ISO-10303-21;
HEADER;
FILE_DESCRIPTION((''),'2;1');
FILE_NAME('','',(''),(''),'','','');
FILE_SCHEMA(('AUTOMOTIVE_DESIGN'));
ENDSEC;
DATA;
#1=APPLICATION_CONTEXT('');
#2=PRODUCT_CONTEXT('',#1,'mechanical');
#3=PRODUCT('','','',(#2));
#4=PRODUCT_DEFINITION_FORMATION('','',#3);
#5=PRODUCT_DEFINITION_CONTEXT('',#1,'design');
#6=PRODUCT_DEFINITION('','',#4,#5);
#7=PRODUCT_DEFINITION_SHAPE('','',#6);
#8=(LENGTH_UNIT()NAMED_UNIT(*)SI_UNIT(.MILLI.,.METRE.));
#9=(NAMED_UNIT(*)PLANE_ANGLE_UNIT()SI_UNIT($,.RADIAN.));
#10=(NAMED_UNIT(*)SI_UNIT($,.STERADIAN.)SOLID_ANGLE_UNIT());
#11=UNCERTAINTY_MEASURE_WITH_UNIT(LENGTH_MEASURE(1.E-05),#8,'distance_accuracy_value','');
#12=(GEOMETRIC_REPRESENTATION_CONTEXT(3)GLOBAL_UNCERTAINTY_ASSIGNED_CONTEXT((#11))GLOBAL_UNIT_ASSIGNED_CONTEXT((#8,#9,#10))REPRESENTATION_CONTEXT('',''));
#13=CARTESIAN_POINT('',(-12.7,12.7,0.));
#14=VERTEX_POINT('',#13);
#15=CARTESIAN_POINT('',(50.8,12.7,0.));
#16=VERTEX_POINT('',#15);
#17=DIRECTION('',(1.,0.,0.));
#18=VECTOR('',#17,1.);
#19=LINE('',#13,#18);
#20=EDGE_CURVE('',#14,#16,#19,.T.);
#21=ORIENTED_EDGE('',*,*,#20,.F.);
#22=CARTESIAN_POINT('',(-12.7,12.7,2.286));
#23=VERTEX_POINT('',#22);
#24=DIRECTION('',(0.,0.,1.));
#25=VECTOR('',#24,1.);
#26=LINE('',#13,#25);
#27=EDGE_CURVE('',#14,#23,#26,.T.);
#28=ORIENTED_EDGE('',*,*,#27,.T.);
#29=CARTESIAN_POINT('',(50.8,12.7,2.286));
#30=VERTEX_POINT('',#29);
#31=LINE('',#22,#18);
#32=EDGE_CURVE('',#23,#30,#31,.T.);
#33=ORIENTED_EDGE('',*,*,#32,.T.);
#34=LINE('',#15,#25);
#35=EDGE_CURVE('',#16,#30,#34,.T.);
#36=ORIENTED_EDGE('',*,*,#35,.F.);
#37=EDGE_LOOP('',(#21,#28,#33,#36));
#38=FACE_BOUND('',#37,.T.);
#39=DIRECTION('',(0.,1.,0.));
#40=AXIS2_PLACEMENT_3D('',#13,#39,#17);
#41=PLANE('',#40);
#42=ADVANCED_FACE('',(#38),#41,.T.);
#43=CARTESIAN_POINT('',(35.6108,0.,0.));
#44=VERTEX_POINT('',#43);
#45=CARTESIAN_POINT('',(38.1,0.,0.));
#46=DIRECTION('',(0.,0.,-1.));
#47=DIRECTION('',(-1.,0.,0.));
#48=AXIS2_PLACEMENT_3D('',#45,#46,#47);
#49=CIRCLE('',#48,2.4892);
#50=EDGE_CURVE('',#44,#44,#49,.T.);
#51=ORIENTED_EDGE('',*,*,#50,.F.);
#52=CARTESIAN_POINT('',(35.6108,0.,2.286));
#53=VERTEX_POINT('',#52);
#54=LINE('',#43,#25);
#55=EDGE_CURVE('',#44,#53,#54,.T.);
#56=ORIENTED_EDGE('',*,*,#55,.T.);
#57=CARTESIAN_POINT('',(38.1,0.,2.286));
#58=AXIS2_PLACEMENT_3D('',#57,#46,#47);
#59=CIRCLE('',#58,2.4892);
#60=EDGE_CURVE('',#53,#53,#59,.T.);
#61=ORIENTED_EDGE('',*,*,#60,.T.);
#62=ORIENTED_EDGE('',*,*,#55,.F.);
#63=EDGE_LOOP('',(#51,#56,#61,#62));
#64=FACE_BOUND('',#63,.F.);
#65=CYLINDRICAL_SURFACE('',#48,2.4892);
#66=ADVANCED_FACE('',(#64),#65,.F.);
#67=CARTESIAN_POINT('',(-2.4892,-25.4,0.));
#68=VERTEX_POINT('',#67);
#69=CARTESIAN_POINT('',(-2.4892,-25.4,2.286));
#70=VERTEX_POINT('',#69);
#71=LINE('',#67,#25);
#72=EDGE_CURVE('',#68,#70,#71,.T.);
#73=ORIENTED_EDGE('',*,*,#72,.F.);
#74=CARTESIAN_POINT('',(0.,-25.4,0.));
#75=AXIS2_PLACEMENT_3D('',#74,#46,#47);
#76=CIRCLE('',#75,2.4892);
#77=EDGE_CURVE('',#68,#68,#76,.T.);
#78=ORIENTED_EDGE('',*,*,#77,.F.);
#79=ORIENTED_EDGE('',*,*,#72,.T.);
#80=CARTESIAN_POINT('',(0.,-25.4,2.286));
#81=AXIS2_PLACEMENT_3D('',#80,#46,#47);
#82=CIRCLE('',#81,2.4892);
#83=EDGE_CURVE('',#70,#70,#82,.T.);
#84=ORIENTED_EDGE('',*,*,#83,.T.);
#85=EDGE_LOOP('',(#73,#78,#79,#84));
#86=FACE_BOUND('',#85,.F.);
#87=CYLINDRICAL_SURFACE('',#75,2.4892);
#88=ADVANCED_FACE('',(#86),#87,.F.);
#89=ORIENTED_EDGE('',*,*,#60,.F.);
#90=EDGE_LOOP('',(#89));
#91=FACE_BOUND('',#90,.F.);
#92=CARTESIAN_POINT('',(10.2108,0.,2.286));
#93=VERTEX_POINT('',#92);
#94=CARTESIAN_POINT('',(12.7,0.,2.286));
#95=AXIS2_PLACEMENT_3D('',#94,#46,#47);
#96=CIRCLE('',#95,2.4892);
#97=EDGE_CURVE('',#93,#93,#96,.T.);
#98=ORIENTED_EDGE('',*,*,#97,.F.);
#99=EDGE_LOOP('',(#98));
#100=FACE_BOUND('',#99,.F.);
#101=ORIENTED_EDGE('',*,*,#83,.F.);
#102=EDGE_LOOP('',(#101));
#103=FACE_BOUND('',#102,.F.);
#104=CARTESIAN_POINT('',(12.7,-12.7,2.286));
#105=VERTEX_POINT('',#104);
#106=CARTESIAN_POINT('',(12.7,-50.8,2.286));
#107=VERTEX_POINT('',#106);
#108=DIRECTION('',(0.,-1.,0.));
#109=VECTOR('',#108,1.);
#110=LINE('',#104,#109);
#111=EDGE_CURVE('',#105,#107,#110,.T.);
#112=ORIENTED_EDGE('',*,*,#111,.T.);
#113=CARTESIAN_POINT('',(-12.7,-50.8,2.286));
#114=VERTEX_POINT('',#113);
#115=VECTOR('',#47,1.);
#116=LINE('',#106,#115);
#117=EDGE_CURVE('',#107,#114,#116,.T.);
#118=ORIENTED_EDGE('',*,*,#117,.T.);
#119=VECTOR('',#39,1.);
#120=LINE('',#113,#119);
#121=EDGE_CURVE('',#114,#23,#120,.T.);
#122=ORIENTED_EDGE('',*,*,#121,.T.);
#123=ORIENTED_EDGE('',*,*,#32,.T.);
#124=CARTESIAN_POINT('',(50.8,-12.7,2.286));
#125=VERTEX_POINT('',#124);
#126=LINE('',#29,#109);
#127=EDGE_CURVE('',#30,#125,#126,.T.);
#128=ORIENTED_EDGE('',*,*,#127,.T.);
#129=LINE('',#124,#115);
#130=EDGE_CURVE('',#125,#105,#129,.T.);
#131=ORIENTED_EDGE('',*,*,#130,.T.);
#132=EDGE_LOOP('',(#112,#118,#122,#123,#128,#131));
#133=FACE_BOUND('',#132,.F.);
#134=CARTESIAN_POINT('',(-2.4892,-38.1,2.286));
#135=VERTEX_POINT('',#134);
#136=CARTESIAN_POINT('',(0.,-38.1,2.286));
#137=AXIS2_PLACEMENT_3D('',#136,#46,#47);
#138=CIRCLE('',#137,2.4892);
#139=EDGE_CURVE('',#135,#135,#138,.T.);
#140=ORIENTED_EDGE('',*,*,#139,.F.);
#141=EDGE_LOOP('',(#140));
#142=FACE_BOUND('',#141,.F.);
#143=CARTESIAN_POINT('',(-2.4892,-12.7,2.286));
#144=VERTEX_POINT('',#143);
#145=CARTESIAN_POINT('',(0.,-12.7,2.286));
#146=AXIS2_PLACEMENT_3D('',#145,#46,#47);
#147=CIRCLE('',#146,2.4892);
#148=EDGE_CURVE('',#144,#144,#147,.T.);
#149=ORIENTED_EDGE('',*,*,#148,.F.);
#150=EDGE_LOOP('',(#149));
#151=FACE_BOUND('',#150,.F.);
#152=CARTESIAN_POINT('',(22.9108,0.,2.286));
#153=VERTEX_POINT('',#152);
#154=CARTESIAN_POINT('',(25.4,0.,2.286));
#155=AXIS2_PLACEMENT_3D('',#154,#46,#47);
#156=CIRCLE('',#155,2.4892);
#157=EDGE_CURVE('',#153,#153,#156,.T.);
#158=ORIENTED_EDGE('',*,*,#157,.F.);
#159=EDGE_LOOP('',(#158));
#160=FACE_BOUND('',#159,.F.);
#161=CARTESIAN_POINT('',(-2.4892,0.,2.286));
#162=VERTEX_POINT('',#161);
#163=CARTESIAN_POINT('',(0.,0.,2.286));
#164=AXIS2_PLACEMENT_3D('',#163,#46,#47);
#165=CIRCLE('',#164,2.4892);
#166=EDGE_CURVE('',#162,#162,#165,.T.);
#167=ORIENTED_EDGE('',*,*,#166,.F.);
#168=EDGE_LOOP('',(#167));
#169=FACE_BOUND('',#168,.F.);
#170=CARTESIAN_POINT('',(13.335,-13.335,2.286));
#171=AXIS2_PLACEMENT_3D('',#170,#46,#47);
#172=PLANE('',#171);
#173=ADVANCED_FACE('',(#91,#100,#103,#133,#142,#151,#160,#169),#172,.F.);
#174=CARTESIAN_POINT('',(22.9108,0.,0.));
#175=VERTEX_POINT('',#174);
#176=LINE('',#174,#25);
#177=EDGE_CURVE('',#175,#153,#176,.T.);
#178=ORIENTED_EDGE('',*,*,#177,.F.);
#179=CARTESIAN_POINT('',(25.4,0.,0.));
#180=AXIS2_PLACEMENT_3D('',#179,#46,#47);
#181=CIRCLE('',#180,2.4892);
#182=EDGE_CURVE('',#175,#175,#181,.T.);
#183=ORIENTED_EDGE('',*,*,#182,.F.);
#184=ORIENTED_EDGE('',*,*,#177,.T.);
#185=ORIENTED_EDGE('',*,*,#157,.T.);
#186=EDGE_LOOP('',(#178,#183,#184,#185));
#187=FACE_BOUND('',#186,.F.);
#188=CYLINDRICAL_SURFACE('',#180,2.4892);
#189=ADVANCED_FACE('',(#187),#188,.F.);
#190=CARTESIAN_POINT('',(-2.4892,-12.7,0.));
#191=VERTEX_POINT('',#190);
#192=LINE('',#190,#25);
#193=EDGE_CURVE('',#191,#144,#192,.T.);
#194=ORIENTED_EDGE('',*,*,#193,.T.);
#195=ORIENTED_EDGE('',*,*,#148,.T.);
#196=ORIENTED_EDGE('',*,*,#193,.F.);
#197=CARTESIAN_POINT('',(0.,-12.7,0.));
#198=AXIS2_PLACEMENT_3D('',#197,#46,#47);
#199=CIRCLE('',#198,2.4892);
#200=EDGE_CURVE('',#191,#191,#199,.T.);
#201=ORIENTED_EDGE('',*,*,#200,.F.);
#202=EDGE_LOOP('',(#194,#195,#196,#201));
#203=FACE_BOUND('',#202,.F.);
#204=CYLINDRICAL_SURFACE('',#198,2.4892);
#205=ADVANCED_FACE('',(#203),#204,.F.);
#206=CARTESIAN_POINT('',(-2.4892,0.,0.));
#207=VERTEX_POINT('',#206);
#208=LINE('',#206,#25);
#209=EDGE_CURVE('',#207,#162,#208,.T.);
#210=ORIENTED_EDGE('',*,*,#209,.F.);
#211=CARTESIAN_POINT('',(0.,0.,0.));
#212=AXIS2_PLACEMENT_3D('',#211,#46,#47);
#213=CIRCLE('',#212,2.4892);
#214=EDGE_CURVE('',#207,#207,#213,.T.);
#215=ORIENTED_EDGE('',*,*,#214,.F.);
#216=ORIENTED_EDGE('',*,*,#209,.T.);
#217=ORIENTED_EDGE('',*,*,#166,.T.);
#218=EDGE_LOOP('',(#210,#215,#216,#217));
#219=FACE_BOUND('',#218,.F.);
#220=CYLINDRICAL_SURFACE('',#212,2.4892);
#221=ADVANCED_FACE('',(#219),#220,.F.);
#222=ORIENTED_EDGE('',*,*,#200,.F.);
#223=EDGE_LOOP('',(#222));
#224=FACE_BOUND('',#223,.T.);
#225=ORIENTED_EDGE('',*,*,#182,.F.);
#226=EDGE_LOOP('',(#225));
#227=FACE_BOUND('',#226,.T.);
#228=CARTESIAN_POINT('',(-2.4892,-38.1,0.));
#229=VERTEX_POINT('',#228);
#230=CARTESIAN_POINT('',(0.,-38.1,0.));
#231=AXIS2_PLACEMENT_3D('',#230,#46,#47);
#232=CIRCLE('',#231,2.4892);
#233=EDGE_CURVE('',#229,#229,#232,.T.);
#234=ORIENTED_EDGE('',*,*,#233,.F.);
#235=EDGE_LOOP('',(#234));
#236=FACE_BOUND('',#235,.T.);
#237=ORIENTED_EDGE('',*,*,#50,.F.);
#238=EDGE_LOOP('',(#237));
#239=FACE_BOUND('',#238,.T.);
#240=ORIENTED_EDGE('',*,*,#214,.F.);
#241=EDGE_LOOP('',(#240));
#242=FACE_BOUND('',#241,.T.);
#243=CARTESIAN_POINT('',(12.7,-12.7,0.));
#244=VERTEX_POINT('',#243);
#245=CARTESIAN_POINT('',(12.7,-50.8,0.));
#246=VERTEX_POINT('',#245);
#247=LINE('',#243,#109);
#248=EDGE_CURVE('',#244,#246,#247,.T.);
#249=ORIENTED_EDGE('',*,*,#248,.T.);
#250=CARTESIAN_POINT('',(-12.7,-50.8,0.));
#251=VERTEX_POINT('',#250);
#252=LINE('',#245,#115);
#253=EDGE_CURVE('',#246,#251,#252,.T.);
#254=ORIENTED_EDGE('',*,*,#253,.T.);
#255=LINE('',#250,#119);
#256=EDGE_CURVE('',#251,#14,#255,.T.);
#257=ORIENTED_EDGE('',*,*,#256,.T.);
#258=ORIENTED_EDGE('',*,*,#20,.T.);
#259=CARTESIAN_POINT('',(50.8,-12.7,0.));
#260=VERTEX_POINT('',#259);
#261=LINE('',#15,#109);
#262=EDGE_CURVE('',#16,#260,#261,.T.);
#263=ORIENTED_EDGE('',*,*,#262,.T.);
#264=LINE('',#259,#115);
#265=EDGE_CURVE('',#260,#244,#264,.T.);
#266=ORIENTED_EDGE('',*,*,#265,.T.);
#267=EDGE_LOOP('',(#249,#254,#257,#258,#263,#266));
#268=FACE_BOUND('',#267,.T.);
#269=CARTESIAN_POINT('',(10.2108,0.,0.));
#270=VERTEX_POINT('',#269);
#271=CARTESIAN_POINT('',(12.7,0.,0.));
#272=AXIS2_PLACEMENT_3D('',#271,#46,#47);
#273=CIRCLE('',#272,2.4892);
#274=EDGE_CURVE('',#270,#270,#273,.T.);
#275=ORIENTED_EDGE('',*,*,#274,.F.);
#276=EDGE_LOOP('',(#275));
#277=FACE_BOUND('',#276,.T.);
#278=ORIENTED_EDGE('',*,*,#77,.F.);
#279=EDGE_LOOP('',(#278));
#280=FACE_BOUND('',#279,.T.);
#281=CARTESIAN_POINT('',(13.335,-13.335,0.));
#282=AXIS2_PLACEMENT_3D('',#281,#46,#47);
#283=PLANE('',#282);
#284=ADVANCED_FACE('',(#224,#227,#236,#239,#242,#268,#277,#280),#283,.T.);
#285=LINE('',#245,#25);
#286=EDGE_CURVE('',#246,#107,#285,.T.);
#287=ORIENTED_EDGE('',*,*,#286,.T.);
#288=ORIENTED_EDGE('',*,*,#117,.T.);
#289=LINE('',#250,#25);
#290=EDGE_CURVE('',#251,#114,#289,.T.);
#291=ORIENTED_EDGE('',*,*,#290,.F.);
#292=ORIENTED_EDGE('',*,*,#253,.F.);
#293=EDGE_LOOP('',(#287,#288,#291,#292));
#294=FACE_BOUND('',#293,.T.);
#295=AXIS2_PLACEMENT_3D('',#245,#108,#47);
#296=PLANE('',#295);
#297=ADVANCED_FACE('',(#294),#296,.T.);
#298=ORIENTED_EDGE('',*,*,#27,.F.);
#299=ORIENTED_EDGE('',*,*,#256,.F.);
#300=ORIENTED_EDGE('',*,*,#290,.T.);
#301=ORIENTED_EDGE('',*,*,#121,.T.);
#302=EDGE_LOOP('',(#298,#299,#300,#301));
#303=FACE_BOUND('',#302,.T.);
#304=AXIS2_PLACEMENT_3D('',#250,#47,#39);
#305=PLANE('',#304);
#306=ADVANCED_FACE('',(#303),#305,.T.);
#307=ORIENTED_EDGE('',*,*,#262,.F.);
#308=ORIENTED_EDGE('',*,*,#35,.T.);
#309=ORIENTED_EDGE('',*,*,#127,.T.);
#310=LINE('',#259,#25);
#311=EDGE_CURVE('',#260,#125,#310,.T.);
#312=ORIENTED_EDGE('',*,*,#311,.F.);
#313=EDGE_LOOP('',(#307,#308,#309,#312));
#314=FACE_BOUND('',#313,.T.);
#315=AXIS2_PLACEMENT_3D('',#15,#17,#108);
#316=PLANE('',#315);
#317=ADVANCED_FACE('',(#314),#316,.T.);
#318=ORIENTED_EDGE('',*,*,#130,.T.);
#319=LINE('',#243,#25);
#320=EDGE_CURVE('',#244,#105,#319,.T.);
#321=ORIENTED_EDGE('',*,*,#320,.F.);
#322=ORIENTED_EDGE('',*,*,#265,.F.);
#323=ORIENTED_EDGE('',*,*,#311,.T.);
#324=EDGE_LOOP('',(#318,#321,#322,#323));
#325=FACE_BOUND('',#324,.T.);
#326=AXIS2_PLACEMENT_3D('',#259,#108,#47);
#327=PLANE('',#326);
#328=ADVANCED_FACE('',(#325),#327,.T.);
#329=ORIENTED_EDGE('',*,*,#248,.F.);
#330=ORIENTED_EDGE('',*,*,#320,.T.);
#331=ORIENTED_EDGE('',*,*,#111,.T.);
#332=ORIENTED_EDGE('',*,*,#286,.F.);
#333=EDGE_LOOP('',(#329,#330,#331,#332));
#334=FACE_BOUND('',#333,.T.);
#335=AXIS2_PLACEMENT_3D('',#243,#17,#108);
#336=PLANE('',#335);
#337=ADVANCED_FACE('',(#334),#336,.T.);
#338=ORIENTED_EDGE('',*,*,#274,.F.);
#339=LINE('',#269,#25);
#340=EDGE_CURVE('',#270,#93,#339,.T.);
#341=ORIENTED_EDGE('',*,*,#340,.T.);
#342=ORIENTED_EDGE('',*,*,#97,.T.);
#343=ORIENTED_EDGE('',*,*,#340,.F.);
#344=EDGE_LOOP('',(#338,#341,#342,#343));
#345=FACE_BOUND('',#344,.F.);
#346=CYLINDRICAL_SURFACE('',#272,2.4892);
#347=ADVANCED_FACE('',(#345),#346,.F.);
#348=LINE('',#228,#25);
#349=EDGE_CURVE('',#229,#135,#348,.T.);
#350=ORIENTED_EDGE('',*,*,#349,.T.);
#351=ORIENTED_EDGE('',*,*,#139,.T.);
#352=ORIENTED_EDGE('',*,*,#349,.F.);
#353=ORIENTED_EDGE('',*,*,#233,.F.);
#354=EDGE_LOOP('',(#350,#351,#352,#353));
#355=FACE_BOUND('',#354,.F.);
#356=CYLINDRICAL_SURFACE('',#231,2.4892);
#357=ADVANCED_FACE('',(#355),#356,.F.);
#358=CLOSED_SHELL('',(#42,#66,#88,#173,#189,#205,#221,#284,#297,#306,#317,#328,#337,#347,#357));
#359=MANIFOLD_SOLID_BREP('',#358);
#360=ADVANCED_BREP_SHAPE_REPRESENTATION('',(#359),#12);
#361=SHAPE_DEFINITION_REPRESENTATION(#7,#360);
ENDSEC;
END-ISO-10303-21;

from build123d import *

# Parameters (mm, degrees)
SKETCH1_R           = 2.4892
BOSS_EXTRUDE1_DEPTH = 2.286


with BuildPart() as part:
    # Sketch1 → Boss-Extrude1 (new body)
    with BuildSketch(Plane(origin=(0, 0, 0), x_dir=(-1, 0, 0), z_dir=(0, 0, -1))):
        Polygon((12.7, 12.7), (-50.8, 12.7), (-50.8, -12.7), (-12.7, -12.7), (-12.7, -50.8), (12.7, -50.8), align=None)
        with Locations((0, -25.4)):
            Circle(SKETCH1_R, mode=Mode.SUBTRACT)
        with Locations((-38.1, 0)):
            Circle(SKETCH1_R, mode=Mode.SUBTRACT)
        with Locations((-12.7, 0)):
            Circle(SKETCH1_R, mode=Mode.SUBTRACT)
        Circle(SKETCH1_R, mode=Mode.SUBTRACT)
        with Locations((-25.4, 0)):
            Circle(SKETCH1_R, mode=Mode.SUBTRACT)
        with Locations((0, -12.7)):
            Circle(SKETCH1_R, mode=Mode.SUBTRACT)
        with Locations((0, -38.1)):
            Circle(SKETCH1_R, mode=Mode.SUBTRACT)
    extrude(amount=-BOSS_EXTRUDE1_DEPTH)


solid = part.part
